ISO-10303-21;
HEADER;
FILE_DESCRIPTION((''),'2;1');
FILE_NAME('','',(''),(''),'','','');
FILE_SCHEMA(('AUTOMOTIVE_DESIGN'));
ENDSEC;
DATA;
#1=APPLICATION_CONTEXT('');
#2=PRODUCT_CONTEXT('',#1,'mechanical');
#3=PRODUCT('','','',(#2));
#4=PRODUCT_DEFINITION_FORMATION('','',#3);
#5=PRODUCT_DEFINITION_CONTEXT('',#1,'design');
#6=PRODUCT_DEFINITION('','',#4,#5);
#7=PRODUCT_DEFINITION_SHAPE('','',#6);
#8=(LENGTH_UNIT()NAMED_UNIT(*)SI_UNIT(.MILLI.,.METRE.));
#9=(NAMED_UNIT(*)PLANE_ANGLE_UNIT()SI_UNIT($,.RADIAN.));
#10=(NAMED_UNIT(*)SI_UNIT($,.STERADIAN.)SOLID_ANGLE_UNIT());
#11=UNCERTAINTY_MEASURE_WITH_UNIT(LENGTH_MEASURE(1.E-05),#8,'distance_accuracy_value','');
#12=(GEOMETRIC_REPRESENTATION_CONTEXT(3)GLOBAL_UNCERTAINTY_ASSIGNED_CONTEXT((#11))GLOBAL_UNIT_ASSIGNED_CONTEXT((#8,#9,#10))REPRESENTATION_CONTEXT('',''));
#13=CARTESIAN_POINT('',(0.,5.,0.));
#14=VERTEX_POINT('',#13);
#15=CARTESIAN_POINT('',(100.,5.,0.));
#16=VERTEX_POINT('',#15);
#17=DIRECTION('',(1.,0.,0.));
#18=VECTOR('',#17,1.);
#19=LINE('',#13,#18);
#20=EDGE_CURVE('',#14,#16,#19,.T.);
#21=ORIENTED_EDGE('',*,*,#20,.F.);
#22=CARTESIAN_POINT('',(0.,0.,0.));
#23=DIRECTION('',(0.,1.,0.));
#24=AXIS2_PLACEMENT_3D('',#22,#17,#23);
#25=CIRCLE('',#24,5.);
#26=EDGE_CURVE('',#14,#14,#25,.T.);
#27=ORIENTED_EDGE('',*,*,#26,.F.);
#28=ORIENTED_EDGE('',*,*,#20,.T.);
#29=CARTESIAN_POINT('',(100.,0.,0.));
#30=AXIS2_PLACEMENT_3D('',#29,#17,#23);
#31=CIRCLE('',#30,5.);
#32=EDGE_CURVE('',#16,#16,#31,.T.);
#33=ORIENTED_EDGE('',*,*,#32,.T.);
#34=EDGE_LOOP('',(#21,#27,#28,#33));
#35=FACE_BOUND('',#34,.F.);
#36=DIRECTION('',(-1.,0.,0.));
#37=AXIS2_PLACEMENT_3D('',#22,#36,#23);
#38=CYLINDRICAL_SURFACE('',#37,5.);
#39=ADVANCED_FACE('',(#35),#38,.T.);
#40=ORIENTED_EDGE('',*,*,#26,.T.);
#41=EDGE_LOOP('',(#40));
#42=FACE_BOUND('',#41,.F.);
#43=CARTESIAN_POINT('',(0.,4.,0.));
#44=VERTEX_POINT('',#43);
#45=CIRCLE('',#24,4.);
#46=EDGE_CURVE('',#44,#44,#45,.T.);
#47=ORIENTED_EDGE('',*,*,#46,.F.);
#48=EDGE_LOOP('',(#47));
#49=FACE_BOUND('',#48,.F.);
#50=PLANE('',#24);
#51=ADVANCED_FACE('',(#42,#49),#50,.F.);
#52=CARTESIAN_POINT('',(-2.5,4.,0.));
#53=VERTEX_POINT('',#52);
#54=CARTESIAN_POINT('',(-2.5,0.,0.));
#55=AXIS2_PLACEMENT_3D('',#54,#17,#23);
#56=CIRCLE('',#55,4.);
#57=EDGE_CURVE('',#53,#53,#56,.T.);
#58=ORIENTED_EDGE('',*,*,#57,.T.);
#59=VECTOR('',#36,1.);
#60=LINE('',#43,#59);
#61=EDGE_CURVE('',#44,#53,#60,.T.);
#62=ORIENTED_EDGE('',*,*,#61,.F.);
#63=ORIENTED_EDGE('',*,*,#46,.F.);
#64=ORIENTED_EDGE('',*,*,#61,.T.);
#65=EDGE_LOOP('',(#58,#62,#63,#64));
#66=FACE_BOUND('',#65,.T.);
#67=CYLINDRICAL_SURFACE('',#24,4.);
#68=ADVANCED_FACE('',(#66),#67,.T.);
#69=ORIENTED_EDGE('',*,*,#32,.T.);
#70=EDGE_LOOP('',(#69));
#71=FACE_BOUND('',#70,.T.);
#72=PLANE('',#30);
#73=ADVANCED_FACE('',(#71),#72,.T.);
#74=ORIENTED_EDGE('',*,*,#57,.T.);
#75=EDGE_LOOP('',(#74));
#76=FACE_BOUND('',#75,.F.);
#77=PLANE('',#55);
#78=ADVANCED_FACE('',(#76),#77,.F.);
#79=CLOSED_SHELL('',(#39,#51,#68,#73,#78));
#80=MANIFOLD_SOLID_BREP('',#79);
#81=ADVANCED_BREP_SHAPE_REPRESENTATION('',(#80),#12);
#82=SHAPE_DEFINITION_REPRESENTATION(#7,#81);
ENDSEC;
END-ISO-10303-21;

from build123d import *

# Parameters (mm, degrees)
F0_R     = 5
F1_DEPTH = 100
F2_R     = 4
F3_DEPTH = 2.5


with BuildPart() as f1:
    # F0 (on Right) → F1 (new body)
    with BuildSketch(Plane.YZ):
        Circle(F0_R)
    extrude(amount=F1_DEPTH)

    # F2 (on Right) → F3 (join)
    with BuildSketch(Plane.YZ):
        Circle(F2_R)
    extrude(amount=-F3_DEPTH)


solid = f1.part
